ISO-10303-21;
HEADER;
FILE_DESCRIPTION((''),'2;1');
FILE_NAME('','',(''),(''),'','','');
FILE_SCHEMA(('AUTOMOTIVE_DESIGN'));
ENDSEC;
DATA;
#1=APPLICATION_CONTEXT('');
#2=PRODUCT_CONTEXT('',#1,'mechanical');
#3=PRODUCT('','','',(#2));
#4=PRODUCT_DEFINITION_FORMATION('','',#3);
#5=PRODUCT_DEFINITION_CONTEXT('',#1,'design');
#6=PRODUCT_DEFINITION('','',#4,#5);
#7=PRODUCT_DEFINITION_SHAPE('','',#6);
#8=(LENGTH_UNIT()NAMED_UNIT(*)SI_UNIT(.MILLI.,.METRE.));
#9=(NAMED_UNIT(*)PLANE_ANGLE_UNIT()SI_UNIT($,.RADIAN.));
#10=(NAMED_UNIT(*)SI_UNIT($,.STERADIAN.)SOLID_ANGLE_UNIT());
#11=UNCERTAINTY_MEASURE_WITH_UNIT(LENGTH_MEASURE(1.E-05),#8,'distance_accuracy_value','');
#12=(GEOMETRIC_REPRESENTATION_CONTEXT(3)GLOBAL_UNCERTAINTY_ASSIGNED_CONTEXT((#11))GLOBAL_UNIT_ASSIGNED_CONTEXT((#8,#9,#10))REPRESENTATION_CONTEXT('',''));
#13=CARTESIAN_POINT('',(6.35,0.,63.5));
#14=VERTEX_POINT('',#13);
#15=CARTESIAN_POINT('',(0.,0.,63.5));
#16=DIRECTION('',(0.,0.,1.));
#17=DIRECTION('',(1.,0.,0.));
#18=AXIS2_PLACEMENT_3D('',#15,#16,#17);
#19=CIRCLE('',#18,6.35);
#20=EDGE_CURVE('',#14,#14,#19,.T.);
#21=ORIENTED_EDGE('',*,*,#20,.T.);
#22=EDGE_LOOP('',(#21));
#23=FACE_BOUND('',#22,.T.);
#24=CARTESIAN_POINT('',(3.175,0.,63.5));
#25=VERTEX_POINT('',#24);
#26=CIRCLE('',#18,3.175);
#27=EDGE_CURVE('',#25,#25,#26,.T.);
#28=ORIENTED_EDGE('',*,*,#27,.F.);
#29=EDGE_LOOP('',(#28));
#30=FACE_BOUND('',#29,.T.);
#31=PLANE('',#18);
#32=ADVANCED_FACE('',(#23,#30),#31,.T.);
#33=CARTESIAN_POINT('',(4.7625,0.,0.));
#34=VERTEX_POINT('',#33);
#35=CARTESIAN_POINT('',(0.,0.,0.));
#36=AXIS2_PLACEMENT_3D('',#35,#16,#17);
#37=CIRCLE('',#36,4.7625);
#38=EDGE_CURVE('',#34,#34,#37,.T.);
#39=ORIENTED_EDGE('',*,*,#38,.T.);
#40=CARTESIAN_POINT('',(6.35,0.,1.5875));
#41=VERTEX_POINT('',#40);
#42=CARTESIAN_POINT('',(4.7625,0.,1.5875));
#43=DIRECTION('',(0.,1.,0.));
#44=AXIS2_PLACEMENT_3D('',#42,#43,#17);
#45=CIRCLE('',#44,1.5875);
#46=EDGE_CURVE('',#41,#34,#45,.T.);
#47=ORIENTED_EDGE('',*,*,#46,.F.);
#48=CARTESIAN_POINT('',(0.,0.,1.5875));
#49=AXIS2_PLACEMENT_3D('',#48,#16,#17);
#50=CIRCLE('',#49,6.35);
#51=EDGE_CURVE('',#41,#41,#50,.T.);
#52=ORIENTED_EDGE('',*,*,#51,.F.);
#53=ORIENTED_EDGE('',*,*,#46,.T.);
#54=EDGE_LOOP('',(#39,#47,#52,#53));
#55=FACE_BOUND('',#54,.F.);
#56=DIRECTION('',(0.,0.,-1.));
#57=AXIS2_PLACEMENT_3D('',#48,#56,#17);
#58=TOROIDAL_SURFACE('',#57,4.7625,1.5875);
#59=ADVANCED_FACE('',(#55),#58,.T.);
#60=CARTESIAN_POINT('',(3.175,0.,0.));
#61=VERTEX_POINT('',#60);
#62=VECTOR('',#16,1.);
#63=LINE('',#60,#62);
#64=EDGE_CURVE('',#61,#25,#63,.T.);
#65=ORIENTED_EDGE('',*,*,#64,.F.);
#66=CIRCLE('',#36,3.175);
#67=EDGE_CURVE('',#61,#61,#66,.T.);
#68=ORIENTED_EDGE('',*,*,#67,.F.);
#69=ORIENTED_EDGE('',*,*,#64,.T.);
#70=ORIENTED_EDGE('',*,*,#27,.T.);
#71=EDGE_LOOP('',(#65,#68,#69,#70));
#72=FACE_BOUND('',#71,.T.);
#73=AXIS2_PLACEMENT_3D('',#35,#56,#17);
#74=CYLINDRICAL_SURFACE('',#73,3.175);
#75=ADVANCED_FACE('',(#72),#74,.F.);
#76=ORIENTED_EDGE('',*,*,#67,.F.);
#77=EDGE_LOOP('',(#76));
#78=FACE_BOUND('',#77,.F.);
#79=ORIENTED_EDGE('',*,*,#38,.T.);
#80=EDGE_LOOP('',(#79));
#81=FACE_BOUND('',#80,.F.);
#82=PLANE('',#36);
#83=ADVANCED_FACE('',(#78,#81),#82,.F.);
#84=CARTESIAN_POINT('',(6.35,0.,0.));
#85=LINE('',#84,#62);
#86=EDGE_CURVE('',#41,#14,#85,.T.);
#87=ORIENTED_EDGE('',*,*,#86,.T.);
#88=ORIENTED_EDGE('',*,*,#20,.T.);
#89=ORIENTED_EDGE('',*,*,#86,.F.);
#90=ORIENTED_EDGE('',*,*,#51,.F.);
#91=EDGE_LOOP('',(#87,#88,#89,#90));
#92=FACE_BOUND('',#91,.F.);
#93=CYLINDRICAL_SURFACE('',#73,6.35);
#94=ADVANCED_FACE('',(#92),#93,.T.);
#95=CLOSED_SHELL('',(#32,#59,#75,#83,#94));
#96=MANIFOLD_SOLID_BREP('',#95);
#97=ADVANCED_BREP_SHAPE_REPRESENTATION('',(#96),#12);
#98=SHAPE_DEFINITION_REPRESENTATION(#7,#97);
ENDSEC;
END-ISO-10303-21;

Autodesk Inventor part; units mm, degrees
ref_plane "YZ Plane" through (0, 0, 0) normal (1, 0, 0) x (0, 1, 0)
ref_plane "XZ Plane" through (0, 0, 0) normal (0, 1, 0) x (-1, 0, 0)
ref_plane "XY Plane" through (0, 0, 0) normal (0, 0, 1) x (1, 0, 0)
sketch "Sketch1" plane through (0, 0, 0) normal (0, 0, 1) x (1, 0, 0)
  circle A0 centre (0, 0) radius 6.35
  circle A1 centre (0, 0) radius 3.175
  dimension "d0" = 12.7
  dimension "d1" = 6.35
extrude "Extrusion1" add sketch "Sketch1" along normal blind 63.5
thread "Thread1" size "1/4-28 UNF" class "2B" standard "ANSI Unified Screw Threads" length 12.7
fillet "Fillet1" radius 1.5875 1 edges at (-6.35, 0, 0)
properties part number "Round shaft"
